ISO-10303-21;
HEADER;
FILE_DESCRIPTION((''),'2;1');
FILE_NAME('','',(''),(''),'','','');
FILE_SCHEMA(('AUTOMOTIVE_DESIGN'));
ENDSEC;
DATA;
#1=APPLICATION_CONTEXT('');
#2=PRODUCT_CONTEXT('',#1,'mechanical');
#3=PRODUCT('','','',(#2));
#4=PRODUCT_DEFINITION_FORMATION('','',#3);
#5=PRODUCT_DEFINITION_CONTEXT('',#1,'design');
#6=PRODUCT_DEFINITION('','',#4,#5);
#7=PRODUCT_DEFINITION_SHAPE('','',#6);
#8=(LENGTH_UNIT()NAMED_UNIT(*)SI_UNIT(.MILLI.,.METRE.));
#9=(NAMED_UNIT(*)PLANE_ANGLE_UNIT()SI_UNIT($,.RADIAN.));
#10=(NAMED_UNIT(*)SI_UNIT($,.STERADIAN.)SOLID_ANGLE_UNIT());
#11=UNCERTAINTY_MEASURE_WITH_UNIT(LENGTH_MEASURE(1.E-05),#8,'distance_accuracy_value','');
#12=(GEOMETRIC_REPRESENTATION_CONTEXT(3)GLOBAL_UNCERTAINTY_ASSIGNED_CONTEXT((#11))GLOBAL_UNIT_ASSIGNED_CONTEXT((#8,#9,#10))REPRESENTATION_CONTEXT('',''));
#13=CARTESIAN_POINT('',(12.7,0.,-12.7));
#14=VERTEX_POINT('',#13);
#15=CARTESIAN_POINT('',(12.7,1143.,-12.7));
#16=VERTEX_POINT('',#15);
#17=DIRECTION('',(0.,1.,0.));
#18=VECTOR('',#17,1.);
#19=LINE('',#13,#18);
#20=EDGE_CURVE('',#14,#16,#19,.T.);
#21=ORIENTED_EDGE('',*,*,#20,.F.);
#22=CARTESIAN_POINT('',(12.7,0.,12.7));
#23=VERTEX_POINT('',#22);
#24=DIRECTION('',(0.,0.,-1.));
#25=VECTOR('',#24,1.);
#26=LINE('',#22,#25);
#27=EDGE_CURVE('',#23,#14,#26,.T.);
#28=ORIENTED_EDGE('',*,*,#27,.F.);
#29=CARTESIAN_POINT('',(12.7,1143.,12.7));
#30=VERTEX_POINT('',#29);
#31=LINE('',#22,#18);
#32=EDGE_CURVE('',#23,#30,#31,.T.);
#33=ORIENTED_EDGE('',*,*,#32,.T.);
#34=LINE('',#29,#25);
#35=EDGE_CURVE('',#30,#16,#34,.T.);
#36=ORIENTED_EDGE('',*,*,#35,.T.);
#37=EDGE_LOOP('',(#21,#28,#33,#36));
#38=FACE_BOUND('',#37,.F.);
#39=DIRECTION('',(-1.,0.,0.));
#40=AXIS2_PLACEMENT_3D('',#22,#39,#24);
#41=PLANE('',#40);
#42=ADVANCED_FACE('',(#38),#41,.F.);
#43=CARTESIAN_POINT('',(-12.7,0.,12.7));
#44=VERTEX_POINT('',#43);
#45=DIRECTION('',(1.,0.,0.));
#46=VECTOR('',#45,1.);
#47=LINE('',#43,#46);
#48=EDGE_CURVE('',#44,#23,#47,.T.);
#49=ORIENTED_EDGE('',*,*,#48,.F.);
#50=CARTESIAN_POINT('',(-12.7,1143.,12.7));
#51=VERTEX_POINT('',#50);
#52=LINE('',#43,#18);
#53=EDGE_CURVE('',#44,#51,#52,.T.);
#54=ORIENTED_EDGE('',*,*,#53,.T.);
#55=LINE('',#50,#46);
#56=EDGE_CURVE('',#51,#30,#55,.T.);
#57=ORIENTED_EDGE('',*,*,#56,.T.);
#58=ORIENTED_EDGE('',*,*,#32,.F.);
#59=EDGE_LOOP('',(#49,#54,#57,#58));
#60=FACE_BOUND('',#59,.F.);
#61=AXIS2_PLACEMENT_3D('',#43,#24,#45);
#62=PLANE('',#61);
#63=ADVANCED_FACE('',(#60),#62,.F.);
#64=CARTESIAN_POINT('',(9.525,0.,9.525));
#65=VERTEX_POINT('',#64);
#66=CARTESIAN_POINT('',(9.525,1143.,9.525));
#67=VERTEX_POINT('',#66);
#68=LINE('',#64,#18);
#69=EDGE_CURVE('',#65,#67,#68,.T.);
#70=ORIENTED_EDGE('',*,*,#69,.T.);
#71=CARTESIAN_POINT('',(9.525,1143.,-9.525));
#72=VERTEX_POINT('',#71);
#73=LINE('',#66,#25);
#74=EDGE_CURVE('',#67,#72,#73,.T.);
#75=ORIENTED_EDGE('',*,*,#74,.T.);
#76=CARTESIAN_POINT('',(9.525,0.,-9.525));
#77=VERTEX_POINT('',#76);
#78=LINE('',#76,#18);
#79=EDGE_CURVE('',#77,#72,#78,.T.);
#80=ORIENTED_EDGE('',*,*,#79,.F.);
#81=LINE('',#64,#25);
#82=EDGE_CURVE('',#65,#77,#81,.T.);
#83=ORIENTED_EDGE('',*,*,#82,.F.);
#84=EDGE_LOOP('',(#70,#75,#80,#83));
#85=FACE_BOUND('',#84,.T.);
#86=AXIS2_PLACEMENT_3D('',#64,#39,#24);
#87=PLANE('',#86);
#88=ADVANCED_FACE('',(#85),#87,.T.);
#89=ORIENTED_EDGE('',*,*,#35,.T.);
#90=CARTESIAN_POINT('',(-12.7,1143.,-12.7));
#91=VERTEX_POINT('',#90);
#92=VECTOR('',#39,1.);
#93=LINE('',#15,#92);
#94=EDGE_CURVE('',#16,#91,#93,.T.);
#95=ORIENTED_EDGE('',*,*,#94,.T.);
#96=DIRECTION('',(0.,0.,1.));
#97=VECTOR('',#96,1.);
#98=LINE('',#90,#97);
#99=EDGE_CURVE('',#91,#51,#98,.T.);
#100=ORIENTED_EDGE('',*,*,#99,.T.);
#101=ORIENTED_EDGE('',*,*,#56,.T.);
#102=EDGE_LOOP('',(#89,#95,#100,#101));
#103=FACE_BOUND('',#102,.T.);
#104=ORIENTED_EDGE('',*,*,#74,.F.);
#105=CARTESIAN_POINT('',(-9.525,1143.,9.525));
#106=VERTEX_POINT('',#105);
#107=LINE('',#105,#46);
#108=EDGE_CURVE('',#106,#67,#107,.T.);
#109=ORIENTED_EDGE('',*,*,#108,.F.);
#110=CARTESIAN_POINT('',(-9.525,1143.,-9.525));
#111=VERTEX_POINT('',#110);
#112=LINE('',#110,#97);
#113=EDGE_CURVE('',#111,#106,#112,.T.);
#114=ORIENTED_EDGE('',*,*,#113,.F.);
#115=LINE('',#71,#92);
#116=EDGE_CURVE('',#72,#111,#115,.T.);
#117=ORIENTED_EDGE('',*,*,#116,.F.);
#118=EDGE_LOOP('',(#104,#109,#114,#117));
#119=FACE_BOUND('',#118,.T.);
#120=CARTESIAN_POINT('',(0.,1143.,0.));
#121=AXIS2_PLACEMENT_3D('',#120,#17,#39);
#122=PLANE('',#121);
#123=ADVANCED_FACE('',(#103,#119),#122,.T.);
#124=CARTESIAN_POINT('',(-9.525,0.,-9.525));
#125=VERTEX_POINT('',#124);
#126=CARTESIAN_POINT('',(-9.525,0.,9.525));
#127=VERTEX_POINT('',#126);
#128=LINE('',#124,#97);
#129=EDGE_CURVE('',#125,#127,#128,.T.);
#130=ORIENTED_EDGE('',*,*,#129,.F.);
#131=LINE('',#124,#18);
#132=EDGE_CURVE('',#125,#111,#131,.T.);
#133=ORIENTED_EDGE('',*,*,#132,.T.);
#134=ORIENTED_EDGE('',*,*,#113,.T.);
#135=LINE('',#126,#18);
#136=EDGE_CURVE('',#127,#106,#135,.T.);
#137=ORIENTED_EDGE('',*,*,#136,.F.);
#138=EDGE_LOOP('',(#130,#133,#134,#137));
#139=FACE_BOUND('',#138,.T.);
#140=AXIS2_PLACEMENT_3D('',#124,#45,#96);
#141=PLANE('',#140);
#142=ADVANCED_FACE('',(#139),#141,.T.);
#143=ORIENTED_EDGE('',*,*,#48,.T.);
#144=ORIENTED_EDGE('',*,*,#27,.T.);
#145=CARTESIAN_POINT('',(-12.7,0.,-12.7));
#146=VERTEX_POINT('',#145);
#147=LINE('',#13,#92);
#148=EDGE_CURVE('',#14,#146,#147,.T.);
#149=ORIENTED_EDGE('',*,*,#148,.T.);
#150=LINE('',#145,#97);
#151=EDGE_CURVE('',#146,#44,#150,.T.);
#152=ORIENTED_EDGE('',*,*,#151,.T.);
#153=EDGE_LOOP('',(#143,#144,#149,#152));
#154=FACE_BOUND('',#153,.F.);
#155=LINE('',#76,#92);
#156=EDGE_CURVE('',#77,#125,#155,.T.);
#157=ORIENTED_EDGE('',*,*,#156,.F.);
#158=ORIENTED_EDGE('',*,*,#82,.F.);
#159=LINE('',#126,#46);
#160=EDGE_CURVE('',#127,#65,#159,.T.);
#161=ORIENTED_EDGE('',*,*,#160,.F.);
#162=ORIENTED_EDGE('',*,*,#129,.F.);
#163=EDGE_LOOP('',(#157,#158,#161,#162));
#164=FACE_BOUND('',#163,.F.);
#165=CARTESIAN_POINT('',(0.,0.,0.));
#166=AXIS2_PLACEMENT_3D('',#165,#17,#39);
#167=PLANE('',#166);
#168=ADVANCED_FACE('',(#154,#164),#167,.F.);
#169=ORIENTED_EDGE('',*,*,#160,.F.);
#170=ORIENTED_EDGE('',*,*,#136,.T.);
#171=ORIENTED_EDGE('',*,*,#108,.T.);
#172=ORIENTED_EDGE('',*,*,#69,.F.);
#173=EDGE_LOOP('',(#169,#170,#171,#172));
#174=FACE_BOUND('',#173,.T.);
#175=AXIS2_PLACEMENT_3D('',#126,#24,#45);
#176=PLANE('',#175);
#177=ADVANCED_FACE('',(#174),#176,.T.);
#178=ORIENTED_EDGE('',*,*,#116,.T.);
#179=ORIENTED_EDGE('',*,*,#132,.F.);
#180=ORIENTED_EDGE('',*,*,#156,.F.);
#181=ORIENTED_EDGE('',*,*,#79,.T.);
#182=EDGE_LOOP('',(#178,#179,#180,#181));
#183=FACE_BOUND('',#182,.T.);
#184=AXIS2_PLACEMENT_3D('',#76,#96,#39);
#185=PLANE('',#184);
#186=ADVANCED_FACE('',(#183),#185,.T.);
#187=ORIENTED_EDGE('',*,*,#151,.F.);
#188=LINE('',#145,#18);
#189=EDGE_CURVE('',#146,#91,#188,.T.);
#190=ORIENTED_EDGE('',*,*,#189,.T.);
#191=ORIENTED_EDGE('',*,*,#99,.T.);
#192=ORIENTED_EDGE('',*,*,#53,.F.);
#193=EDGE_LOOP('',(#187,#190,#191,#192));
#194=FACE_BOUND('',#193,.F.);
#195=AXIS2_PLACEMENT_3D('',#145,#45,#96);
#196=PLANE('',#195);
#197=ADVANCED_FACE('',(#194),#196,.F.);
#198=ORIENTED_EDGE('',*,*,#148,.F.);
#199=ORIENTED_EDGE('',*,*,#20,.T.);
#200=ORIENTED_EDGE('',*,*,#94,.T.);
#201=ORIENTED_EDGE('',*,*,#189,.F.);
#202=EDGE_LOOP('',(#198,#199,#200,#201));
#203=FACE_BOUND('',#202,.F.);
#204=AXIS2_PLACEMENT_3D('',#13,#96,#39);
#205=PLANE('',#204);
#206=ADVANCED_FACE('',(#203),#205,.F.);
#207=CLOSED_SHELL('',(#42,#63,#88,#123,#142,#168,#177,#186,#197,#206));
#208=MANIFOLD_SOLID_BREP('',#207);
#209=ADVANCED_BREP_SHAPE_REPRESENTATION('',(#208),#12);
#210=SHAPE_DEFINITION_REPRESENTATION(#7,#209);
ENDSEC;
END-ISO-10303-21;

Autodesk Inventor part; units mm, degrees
ref_plane "YZ Plane" through (0, 0, 0) normal (1, 0, 0) x (0, 1, 0)
ref_plane "XZ Plane" through (0, 0, 0) normal (0, 1, 0) x (-1, 0, 0)
ref_plane "XY Plane" through (0, 0, 0) normal (0, 0, 1) x (1, 0, 0)
sketch "Sketch1" plane through (0, 0, 0) normal (0, 1, 0) x (-1, 0, 0)
  line L0 (12.7, 12.7) -> (-12.7, 12.7)
  line L1 (-12.7, 12.7) -> (-12.7, -12.7)
  line L2 (-12.7, -12.7) -> (12.7, -12.7)
  line L3 (12.7, -12.7) -> (12.7, 12.7)
  line L4 (12.7, 12.7) -> (-12.7, -12.7) construction
  line L5 (-12.7, 12.7) -> (12.7, -12.7) construction
  line L6 (9.525, 9.525) -> (-9.525, 9.525)
  line L7 (-9.525, 9.525) -> (-9.525, -9.525)
  line L8 (-9.525, -9.525) -> (9.525, -9.525)
  line L9 (9.525, -9.525) -> (9.525, 9.525)
  line L10 (9.525, 9.525) -> (-9.525, -9.525) construction
  line L11 (-9.525, 9.525) -> (9.525, -9.525) construction
  point P0 (0, 0)
  dimension "d0" = 25.4
  dimension "d1" = 3.175
extrude "Extrusion1" add sketch "Sketch1" along normal blind 1143
properties part number "1x45-rectangular"
